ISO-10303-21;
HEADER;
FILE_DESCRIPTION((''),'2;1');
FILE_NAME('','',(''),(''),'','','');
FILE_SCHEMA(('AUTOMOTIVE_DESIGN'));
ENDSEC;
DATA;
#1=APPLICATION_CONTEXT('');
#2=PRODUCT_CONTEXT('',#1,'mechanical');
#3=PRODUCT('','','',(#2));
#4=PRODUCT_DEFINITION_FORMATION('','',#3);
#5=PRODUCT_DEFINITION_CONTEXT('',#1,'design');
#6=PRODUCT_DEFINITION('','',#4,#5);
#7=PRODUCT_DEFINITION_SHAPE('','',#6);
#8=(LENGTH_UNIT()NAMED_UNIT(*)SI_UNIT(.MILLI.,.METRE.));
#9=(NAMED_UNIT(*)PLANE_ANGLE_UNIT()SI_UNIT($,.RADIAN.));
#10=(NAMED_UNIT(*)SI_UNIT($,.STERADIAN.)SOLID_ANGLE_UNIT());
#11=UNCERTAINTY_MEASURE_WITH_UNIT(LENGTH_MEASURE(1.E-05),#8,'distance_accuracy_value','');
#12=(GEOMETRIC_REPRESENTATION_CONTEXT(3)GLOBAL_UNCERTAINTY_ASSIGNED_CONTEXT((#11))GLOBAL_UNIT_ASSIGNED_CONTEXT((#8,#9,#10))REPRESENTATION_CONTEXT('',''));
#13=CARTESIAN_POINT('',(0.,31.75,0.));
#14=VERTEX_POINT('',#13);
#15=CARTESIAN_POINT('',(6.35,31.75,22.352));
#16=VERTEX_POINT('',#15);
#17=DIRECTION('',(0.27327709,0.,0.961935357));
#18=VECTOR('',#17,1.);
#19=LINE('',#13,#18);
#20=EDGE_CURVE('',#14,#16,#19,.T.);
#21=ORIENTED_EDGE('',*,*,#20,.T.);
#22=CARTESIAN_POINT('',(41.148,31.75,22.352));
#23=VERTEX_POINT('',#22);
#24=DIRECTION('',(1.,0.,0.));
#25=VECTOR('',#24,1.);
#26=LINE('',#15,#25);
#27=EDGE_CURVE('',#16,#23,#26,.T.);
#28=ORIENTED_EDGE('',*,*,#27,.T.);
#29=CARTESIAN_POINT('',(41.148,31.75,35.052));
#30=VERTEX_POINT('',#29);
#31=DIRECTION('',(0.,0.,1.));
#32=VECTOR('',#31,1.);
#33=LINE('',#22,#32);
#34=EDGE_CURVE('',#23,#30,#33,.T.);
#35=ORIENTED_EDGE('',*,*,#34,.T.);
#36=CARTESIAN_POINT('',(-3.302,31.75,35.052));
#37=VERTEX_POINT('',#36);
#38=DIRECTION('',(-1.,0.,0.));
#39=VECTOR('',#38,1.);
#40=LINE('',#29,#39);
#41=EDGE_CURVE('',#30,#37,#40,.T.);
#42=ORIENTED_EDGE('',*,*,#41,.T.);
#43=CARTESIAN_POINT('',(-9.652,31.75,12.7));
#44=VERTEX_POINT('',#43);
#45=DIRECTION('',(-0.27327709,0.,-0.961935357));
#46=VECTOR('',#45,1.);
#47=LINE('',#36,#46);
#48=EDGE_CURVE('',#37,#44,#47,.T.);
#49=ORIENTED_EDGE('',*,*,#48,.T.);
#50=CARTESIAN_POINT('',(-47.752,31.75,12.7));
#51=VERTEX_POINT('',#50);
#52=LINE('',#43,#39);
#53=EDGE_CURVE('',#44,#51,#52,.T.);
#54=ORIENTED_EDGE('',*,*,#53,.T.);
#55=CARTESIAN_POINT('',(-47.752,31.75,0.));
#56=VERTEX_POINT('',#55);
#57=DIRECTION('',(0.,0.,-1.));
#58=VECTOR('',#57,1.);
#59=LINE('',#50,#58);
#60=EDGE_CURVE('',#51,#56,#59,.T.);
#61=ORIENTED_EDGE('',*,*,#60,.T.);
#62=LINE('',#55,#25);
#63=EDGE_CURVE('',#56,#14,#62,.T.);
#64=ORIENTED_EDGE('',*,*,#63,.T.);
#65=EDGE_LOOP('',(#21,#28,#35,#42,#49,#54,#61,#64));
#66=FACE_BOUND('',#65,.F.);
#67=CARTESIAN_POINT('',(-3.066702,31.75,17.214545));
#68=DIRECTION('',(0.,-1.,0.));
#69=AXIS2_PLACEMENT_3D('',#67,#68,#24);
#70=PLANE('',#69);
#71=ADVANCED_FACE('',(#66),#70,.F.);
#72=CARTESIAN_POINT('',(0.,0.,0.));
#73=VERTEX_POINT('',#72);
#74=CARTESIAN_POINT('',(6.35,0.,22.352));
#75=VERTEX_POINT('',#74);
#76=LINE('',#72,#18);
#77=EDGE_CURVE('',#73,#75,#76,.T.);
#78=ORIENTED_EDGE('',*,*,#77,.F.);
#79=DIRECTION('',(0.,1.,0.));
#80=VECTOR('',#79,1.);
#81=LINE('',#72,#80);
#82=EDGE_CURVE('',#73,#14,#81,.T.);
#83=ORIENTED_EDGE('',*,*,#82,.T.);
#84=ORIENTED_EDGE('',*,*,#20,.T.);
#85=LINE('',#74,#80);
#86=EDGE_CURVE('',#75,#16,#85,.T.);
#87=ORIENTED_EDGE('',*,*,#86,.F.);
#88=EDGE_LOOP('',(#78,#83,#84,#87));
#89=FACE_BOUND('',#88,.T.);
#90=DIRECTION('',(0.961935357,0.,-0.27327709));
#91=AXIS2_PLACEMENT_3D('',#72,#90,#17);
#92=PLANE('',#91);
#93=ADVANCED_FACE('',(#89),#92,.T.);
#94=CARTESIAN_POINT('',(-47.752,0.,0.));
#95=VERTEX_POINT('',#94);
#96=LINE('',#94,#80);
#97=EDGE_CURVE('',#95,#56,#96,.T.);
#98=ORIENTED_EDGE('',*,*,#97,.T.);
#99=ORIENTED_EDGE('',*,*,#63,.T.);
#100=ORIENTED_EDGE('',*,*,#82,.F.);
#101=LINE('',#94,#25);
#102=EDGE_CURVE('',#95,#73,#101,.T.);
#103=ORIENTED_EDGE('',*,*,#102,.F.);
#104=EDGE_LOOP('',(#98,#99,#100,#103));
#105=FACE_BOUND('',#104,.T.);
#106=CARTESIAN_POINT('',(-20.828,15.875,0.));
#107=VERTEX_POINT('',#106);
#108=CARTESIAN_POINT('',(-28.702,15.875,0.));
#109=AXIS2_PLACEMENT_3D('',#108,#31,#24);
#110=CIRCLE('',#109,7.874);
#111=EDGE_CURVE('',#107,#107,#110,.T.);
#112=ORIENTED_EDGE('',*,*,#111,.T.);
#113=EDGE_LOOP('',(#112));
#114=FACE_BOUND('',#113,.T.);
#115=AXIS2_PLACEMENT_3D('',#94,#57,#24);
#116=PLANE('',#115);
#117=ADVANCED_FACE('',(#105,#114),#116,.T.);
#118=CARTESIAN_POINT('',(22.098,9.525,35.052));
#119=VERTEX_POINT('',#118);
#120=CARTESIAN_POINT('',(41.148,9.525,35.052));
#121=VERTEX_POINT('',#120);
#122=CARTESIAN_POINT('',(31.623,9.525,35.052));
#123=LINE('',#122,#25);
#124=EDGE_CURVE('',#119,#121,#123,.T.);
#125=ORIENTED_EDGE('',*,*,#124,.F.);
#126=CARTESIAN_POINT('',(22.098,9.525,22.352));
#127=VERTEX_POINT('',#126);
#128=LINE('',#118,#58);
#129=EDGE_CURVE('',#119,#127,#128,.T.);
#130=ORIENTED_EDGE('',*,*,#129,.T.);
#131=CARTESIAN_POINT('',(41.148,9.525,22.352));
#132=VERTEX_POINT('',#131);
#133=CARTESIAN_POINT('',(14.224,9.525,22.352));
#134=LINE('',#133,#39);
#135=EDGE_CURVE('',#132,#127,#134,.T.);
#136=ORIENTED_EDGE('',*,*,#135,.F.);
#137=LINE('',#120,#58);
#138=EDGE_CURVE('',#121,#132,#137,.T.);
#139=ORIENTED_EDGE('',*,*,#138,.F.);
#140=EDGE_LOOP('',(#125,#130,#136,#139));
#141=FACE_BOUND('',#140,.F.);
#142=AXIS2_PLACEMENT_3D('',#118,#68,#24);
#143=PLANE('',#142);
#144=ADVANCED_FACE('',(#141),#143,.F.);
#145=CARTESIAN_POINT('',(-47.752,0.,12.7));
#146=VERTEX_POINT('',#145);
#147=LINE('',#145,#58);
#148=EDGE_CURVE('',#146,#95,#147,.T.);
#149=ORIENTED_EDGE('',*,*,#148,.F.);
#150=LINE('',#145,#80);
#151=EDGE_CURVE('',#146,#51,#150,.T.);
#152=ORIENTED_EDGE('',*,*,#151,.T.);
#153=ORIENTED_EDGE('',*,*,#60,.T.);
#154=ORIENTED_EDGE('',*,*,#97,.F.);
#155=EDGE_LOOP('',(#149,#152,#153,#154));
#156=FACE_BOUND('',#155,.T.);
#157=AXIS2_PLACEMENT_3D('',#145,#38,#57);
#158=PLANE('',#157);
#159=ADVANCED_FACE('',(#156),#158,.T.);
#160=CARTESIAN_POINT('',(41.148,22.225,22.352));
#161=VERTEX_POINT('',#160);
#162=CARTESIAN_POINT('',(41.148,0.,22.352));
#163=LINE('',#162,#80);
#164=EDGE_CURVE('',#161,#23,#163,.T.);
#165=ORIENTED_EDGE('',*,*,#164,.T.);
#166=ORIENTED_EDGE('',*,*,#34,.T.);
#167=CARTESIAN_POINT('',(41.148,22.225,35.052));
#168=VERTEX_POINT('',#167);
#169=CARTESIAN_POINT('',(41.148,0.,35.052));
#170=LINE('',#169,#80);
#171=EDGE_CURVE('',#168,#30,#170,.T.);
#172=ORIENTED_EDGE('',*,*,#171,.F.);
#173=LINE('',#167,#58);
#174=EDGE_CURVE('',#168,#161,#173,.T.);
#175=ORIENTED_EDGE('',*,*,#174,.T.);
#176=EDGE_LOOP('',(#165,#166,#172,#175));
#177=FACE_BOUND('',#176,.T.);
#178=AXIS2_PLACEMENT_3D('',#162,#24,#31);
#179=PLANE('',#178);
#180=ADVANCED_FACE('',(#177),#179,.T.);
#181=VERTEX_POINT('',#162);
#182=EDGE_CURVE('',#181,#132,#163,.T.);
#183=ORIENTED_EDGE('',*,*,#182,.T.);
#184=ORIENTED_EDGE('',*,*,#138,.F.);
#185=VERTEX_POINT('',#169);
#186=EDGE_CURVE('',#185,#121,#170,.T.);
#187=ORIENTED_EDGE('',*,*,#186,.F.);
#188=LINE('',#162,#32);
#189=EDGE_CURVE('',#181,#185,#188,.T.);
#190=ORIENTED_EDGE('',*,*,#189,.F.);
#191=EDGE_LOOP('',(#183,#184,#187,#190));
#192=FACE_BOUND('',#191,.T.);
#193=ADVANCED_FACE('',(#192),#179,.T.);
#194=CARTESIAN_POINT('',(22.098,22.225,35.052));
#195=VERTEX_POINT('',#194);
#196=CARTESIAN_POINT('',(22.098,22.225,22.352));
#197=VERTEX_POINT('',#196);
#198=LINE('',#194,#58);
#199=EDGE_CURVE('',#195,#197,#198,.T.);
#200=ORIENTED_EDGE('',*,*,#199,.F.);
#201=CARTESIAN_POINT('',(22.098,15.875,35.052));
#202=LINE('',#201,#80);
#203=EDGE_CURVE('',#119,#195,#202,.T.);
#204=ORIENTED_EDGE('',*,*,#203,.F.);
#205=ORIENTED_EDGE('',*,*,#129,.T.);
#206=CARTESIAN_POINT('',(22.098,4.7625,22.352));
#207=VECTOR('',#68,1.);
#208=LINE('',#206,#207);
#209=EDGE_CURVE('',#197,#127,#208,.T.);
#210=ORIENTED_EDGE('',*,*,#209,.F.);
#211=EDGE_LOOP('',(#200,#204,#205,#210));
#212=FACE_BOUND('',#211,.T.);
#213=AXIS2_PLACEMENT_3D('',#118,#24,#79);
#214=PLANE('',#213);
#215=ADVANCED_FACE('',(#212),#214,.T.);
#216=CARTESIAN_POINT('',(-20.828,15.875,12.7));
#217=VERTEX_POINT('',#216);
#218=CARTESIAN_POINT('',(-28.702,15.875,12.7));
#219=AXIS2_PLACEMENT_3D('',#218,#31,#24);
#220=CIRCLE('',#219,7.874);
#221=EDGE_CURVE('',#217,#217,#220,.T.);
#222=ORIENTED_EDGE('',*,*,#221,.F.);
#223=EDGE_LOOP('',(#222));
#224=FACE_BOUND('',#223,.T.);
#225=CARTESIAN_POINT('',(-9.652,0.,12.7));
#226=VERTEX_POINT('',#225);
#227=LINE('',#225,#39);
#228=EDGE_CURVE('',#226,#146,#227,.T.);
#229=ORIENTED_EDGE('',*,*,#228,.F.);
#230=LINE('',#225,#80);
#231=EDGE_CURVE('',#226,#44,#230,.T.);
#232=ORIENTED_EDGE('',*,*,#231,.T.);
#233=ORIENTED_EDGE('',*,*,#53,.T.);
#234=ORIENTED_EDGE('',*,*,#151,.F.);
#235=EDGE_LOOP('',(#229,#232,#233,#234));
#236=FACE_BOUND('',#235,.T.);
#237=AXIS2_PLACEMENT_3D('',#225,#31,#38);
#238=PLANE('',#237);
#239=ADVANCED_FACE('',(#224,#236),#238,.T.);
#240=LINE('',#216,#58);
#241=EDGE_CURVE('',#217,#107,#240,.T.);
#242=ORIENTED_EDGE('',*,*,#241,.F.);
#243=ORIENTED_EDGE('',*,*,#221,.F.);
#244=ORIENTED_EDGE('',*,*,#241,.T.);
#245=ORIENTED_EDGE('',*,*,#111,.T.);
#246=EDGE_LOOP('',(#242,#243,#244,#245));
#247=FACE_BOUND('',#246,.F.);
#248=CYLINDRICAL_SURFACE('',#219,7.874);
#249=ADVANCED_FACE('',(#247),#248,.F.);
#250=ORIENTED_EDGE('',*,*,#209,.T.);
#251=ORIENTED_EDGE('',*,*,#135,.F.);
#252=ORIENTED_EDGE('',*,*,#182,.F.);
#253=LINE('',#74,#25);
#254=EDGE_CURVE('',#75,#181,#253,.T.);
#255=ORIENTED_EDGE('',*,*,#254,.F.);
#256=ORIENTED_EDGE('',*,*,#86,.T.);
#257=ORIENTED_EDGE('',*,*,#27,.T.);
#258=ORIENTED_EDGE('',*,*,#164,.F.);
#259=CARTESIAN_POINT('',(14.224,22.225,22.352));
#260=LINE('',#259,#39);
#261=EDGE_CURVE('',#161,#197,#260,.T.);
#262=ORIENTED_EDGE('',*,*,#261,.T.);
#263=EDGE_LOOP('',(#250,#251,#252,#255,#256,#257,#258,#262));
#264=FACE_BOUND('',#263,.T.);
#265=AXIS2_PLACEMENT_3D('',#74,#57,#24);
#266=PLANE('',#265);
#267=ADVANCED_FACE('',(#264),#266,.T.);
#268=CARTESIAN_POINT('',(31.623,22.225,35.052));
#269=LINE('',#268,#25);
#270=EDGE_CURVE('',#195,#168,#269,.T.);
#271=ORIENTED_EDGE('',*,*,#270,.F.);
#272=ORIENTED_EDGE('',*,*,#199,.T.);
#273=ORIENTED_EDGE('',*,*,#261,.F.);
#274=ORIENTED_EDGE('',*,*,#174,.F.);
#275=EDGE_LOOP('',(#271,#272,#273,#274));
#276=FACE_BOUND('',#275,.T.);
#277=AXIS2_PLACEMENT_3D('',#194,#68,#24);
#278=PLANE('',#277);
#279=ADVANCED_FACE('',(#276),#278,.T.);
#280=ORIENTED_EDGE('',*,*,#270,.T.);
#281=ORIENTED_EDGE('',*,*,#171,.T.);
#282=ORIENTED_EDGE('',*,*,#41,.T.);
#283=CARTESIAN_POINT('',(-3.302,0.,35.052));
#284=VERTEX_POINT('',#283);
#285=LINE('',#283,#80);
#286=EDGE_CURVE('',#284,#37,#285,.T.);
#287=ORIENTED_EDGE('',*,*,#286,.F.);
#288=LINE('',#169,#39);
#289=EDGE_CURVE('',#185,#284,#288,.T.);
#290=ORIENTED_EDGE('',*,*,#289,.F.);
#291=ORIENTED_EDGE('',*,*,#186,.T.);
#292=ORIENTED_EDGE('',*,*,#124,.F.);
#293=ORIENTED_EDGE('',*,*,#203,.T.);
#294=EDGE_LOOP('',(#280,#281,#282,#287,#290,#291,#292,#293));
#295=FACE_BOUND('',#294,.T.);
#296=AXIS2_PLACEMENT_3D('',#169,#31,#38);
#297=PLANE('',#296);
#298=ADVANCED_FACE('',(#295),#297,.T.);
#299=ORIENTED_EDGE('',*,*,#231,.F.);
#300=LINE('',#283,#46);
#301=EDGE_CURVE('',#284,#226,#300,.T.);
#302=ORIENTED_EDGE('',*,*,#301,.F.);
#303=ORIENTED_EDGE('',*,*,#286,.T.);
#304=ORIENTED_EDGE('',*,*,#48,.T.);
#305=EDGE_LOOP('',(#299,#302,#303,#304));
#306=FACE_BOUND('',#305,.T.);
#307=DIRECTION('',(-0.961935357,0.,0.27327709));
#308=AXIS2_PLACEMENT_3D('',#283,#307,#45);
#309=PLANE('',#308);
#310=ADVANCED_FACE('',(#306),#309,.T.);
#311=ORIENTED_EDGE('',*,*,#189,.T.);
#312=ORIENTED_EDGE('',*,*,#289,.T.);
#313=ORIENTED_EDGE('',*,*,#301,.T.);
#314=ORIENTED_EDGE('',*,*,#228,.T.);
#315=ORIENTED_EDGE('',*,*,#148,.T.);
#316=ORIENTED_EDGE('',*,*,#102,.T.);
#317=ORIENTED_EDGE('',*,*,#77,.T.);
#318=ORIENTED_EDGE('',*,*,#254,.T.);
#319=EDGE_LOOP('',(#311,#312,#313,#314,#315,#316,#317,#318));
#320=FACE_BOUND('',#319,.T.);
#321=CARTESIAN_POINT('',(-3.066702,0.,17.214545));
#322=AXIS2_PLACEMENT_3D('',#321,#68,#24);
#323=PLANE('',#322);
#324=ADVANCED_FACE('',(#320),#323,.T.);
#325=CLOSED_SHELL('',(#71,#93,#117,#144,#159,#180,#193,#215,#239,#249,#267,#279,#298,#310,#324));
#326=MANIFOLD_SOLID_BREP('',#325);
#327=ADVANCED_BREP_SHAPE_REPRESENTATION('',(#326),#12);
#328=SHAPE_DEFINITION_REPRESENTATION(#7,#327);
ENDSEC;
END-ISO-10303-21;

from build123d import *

# Parameters (mm, degrees)
F1_DEPTH = 31.75
F2_W     = 19.05
F2_H     = 12.7
F3_DEPTH = 25.4
F4_R     = 7.874
F5_DEPTH = 25.4


with BuildPart() as f1:
    # F0 (on Front) → F1 (new body)
    with BuildSketch(Plane.XZ):
        Polygon((-47.752, 0), (0, 0), (6.35, 22.352), (41.148, 22.352), (41.148, 35.052), (-3.302, 35.052), (-9.652, 12.7), (-47.752, 12.7), align=None)
    extrude(amount=-F1_DEPTH)

    # F2 (on face) → F3 (cut)
    with BuildSketch(Plane.XY.offset(35.052)):
        with Locations((31.623, 15.875)):
            Rectangle(F2_W, F2_H)
    extrude(amount=-F3_DEPTH, mode=Mode.SUBTRACT)

    # F4 (on face) → F5 (cut)
    with BuildSketch(Plane.XY.offset(12.7)):
        with Locations((-28.702, 15.875)):
            Circle(F4_R)
    extrude(amount=-F5_DEPTH, mode=Mode.SUBTRACT)


solid = f1.part
